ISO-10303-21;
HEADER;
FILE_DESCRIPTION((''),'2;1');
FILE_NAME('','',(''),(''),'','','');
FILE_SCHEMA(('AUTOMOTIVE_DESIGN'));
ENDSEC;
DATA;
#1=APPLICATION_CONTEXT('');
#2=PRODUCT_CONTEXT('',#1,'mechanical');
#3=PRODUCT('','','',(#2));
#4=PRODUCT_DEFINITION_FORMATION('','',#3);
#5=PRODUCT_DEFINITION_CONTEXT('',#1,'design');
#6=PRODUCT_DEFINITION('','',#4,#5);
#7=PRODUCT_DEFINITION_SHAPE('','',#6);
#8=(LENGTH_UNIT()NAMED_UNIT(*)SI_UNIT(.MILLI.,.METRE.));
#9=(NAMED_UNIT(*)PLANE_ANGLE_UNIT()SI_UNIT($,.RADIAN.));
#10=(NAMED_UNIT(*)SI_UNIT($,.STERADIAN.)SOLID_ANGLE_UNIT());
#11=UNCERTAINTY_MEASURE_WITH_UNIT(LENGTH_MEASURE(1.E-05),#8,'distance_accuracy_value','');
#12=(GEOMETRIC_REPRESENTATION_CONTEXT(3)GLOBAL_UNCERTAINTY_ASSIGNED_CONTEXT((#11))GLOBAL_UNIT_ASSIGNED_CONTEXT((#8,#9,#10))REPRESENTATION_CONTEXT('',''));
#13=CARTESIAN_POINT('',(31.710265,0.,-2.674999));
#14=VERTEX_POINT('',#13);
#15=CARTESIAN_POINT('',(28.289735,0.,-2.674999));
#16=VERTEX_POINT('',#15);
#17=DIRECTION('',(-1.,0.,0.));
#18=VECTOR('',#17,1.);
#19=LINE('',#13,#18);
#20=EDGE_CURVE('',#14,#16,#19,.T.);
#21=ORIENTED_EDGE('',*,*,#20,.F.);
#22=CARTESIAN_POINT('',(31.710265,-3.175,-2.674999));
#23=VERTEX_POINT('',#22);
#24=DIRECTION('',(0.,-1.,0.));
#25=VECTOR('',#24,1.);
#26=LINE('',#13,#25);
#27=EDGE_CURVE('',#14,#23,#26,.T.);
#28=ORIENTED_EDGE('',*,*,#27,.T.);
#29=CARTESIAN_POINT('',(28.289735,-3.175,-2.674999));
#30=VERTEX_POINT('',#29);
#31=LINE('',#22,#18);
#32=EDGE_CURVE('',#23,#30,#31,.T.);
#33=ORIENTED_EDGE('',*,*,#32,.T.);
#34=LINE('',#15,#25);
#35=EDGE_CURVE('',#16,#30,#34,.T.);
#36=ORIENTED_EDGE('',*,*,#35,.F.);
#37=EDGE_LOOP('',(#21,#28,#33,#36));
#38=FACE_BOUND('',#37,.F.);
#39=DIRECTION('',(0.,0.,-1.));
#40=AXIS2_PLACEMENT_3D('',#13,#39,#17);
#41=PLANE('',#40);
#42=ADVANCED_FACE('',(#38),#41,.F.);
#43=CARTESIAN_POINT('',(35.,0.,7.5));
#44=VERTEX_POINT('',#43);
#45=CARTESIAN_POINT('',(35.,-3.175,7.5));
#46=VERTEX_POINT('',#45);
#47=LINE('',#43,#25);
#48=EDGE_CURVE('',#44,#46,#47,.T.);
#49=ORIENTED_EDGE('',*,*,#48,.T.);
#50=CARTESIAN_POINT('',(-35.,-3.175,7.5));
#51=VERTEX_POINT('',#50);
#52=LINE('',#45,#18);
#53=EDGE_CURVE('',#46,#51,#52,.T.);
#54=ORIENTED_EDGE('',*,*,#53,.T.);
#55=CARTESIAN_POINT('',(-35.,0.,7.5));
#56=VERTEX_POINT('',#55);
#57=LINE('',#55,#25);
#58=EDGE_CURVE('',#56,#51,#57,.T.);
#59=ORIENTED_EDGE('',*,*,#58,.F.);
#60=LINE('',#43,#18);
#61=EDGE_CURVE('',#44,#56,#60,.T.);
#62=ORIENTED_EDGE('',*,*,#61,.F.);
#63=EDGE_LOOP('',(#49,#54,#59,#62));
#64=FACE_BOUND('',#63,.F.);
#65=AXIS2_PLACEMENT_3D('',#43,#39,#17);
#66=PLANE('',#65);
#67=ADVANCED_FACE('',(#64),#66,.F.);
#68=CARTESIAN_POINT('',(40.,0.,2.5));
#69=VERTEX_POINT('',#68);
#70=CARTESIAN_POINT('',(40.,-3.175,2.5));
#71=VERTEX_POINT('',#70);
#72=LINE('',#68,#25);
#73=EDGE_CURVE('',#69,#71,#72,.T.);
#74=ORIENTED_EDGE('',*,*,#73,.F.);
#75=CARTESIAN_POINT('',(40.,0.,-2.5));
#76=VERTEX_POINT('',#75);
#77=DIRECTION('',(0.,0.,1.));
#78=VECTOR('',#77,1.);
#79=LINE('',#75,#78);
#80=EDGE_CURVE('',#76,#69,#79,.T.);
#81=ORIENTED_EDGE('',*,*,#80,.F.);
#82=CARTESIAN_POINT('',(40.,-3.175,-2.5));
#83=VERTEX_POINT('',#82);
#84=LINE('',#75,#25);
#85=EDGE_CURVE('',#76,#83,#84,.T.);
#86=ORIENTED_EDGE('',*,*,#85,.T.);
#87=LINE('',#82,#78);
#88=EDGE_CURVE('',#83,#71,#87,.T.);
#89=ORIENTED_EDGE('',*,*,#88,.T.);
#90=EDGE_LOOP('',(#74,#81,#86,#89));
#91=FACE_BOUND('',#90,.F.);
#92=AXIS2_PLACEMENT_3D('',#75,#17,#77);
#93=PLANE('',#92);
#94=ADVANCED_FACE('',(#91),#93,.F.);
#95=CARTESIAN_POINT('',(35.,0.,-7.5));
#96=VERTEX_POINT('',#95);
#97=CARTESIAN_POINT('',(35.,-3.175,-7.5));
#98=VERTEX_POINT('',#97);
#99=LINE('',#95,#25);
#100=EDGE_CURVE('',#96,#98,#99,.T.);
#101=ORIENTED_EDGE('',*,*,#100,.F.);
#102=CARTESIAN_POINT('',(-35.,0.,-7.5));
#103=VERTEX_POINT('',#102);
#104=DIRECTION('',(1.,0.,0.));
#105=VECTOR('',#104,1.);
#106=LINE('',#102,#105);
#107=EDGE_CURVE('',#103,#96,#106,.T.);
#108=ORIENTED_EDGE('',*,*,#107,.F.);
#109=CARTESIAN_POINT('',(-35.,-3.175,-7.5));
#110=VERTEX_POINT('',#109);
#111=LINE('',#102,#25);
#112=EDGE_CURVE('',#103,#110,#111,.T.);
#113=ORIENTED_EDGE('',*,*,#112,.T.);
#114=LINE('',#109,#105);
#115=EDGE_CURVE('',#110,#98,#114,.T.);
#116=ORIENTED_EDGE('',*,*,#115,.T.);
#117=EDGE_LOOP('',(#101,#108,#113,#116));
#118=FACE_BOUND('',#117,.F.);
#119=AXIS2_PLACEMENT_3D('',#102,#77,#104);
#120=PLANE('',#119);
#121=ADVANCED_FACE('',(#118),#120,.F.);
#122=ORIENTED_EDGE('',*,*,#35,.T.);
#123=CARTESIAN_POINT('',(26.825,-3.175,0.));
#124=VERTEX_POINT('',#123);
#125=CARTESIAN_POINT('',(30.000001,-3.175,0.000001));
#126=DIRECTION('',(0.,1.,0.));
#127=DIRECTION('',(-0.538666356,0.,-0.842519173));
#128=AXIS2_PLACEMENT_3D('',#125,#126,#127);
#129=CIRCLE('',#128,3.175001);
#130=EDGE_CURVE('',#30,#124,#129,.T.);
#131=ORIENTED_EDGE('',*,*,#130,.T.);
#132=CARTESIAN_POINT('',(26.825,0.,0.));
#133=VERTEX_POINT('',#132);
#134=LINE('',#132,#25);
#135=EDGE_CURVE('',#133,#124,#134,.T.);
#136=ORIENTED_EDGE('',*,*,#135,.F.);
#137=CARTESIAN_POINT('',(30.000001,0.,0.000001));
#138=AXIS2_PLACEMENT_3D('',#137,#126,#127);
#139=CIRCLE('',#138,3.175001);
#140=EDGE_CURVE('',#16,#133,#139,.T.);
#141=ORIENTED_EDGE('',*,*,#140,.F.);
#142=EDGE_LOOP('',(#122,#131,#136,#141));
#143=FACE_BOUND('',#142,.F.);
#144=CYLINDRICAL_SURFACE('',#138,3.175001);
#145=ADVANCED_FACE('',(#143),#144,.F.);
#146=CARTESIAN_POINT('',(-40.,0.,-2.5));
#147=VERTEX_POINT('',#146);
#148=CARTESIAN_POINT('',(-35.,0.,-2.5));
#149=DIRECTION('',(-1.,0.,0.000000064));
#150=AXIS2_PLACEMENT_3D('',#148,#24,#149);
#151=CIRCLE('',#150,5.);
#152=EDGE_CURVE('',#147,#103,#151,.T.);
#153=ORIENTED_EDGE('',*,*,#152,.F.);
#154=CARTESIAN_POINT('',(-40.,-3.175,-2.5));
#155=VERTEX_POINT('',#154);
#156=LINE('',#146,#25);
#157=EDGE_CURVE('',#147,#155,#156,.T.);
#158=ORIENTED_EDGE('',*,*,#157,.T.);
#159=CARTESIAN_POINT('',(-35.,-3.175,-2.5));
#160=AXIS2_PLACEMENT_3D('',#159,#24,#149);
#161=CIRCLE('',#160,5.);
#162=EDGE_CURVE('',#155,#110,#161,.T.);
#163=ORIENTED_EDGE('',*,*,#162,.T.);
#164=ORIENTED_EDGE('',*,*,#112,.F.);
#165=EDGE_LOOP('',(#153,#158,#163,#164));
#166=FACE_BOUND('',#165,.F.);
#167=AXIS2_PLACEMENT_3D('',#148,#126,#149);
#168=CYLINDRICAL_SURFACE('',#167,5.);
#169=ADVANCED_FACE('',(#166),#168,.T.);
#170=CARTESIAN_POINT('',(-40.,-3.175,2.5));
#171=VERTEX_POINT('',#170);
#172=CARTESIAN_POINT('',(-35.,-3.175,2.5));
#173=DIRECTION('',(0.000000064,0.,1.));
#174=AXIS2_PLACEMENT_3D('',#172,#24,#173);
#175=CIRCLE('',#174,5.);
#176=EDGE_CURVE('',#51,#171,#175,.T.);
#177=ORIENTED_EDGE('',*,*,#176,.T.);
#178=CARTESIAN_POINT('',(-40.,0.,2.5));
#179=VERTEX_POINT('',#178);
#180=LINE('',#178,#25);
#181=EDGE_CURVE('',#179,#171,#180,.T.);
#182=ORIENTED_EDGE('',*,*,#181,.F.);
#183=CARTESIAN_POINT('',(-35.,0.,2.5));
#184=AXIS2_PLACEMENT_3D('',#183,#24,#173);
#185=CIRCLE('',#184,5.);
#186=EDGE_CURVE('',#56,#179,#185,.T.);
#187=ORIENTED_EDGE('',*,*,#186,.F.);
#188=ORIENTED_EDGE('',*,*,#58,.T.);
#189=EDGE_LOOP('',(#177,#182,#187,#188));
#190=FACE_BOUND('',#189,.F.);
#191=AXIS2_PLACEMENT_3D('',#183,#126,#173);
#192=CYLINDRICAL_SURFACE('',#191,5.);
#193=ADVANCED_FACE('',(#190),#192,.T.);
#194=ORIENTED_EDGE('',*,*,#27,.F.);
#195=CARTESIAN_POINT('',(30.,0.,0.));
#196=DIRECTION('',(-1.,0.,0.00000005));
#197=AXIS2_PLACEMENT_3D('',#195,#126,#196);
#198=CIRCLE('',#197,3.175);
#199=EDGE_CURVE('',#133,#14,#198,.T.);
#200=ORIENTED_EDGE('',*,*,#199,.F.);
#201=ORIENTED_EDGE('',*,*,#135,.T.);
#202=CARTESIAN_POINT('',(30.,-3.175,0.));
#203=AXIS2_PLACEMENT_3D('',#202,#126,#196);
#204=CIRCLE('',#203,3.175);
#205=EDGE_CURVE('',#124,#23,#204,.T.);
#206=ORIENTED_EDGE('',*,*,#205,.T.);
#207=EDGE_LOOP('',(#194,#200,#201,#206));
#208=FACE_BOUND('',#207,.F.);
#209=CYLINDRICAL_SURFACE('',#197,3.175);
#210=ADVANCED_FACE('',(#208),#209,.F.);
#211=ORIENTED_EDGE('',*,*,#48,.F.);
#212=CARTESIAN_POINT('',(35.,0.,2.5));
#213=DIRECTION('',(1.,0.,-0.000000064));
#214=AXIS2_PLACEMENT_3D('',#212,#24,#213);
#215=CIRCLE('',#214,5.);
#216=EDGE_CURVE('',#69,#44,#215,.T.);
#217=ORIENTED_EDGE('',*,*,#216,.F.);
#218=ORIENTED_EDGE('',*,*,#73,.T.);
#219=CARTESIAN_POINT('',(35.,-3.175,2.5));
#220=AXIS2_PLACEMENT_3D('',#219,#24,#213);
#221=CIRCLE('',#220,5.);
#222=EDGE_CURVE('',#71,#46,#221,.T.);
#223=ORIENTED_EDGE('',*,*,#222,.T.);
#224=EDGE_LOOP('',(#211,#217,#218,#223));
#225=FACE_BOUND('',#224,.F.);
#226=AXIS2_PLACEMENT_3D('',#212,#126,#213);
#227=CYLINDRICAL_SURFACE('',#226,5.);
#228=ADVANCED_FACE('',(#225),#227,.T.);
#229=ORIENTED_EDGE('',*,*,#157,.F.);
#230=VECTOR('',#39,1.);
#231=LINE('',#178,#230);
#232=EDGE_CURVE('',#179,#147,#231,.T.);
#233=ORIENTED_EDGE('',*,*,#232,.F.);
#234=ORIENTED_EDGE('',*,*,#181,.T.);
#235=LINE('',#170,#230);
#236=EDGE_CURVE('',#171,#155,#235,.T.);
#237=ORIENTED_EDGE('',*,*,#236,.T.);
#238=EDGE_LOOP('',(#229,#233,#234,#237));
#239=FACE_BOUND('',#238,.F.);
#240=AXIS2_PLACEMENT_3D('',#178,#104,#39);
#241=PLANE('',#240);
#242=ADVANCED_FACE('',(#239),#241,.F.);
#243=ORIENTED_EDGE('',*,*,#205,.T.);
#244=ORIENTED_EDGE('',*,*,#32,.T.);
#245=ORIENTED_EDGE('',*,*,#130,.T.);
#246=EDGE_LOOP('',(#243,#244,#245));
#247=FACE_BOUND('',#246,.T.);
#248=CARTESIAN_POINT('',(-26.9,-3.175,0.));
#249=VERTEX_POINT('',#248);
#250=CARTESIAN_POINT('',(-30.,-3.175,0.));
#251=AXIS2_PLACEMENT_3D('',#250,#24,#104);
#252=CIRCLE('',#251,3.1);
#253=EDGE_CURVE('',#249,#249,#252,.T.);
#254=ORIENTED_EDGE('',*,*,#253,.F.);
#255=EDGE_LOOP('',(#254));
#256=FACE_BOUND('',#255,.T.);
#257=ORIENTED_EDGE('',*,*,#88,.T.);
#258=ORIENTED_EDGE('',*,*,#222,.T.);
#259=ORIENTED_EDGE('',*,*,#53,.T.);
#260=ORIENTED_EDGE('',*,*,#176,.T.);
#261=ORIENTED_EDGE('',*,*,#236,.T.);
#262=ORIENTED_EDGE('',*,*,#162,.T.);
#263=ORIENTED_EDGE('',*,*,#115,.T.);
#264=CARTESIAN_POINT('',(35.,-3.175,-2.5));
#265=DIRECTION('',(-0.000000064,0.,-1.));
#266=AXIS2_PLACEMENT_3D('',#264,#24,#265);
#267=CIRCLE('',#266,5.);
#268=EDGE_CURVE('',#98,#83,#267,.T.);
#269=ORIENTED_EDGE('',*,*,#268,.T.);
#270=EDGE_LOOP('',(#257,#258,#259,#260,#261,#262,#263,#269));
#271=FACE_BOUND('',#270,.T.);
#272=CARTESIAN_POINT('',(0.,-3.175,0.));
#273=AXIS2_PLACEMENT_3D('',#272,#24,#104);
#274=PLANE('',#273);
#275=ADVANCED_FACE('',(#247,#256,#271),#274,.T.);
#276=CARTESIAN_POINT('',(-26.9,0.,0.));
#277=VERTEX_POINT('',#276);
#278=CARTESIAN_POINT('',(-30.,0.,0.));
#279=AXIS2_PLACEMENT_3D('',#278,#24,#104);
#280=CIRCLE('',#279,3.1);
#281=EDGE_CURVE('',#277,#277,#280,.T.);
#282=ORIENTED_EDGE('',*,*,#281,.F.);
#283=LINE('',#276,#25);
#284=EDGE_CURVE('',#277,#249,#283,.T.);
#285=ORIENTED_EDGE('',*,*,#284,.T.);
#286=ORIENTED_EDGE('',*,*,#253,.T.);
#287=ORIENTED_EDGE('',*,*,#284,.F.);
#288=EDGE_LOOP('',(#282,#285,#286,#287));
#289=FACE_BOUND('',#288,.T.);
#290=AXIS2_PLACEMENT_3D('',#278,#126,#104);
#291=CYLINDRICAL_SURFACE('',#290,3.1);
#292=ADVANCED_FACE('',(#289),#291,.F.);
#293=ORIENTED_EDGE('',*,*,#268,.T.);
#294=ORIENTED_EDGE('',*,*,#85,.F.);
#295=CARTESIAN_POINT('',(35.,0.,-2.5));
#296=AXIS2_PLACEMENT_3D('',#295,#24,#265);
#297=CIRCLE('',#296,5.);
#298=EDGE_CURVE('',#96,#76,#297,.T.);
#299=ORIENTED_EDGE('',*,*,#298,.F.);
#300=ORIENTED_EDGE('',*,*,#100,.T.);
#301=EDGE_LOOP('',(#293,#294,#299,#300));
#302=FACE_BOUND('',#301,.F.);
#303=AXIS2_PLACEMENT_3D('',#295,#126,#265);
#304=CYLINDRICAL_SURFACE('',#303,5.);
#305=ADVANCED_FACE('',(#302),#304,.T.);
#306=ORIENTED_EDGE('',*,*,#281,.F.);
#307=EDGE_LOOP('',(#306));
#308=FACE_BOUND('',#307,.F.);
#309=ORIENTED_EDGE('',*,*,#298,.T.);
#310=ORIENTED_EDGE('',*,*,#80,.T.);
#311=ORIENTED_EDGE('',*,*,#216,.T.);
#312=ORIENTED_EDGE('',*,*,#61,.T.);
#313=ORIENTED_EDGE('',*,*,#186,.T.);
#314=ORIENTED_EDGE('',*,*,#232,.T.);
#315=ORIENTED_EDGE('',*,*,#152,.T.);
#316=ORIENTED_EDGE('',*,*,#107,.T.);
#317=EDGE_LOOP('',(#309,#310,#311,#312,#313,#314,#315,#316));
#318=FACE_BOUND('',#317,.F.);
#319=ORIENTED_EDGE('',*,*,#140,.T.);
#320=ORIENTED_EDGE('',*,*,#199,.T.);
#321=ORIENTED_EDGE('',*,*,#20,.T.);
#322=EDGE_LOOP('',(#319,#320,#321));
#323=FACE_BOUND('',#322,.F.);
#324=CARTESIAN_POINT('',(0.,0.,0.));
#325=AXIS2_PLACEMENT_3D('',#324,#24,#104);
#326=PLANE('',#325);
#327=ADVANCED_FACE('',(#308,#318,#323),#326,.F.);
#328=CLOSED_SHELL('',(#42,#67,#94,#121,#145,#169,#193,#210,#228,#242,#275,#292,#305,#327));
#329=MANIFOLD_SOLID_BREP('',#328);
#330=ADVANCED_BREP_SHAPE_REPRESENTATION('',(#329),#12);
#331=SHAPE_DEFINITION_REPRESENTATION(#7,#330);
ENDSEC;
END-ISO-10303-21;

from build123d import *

# Parameters (mm, degrees)
F0_R     = 3.1
F1_DEPTH = 3.175


with BuildPart() as f1:
    # F0 (on Front) → F1 (new body)
    with BuildSketch(Plane.XZ):
        with BuildLine():
            ThreePointArc((40, 2.5), (38.535534, 6.035534), (35, 7.5))
            Line((35, 7.5), (-35, 7.5))
            ThreePointArc((-35, 7.5), (-38.535534, 6.035534), (-40, 2.5))
            Line((-40, 2.5), (-40, -2.5))
            ThreePointArc((-40, -2.5), (-38.535534, -6.035534), (-35, -7.5))
            Line((-35, -7.5), (35, -7.5))
            ThreePointArc((35, -7.5), (38.535534, -6.035534), (40, -2.5))
            Line((40, -2.5), (40, 2.5))
        make_face()
        with Locations((-30, 0)):
            Circle(F0_R, mode=Mode.SUBTRACT)
        with BuildLine():
            ThreePointArc((28.289735, -2.674999), (27.215156, -1.524883), (26.825, 0))
            ThreePointArc((26.825, 0), (31.524883, 2.784844), (31.710265, -2.674999))
            Line((31.710265, -2.674999), (28.289735, -2.674999))
        make_face(mode=Mode.SUBTRACT)
    extrude(amount=F1_DEPTH)


solid = f1.part
